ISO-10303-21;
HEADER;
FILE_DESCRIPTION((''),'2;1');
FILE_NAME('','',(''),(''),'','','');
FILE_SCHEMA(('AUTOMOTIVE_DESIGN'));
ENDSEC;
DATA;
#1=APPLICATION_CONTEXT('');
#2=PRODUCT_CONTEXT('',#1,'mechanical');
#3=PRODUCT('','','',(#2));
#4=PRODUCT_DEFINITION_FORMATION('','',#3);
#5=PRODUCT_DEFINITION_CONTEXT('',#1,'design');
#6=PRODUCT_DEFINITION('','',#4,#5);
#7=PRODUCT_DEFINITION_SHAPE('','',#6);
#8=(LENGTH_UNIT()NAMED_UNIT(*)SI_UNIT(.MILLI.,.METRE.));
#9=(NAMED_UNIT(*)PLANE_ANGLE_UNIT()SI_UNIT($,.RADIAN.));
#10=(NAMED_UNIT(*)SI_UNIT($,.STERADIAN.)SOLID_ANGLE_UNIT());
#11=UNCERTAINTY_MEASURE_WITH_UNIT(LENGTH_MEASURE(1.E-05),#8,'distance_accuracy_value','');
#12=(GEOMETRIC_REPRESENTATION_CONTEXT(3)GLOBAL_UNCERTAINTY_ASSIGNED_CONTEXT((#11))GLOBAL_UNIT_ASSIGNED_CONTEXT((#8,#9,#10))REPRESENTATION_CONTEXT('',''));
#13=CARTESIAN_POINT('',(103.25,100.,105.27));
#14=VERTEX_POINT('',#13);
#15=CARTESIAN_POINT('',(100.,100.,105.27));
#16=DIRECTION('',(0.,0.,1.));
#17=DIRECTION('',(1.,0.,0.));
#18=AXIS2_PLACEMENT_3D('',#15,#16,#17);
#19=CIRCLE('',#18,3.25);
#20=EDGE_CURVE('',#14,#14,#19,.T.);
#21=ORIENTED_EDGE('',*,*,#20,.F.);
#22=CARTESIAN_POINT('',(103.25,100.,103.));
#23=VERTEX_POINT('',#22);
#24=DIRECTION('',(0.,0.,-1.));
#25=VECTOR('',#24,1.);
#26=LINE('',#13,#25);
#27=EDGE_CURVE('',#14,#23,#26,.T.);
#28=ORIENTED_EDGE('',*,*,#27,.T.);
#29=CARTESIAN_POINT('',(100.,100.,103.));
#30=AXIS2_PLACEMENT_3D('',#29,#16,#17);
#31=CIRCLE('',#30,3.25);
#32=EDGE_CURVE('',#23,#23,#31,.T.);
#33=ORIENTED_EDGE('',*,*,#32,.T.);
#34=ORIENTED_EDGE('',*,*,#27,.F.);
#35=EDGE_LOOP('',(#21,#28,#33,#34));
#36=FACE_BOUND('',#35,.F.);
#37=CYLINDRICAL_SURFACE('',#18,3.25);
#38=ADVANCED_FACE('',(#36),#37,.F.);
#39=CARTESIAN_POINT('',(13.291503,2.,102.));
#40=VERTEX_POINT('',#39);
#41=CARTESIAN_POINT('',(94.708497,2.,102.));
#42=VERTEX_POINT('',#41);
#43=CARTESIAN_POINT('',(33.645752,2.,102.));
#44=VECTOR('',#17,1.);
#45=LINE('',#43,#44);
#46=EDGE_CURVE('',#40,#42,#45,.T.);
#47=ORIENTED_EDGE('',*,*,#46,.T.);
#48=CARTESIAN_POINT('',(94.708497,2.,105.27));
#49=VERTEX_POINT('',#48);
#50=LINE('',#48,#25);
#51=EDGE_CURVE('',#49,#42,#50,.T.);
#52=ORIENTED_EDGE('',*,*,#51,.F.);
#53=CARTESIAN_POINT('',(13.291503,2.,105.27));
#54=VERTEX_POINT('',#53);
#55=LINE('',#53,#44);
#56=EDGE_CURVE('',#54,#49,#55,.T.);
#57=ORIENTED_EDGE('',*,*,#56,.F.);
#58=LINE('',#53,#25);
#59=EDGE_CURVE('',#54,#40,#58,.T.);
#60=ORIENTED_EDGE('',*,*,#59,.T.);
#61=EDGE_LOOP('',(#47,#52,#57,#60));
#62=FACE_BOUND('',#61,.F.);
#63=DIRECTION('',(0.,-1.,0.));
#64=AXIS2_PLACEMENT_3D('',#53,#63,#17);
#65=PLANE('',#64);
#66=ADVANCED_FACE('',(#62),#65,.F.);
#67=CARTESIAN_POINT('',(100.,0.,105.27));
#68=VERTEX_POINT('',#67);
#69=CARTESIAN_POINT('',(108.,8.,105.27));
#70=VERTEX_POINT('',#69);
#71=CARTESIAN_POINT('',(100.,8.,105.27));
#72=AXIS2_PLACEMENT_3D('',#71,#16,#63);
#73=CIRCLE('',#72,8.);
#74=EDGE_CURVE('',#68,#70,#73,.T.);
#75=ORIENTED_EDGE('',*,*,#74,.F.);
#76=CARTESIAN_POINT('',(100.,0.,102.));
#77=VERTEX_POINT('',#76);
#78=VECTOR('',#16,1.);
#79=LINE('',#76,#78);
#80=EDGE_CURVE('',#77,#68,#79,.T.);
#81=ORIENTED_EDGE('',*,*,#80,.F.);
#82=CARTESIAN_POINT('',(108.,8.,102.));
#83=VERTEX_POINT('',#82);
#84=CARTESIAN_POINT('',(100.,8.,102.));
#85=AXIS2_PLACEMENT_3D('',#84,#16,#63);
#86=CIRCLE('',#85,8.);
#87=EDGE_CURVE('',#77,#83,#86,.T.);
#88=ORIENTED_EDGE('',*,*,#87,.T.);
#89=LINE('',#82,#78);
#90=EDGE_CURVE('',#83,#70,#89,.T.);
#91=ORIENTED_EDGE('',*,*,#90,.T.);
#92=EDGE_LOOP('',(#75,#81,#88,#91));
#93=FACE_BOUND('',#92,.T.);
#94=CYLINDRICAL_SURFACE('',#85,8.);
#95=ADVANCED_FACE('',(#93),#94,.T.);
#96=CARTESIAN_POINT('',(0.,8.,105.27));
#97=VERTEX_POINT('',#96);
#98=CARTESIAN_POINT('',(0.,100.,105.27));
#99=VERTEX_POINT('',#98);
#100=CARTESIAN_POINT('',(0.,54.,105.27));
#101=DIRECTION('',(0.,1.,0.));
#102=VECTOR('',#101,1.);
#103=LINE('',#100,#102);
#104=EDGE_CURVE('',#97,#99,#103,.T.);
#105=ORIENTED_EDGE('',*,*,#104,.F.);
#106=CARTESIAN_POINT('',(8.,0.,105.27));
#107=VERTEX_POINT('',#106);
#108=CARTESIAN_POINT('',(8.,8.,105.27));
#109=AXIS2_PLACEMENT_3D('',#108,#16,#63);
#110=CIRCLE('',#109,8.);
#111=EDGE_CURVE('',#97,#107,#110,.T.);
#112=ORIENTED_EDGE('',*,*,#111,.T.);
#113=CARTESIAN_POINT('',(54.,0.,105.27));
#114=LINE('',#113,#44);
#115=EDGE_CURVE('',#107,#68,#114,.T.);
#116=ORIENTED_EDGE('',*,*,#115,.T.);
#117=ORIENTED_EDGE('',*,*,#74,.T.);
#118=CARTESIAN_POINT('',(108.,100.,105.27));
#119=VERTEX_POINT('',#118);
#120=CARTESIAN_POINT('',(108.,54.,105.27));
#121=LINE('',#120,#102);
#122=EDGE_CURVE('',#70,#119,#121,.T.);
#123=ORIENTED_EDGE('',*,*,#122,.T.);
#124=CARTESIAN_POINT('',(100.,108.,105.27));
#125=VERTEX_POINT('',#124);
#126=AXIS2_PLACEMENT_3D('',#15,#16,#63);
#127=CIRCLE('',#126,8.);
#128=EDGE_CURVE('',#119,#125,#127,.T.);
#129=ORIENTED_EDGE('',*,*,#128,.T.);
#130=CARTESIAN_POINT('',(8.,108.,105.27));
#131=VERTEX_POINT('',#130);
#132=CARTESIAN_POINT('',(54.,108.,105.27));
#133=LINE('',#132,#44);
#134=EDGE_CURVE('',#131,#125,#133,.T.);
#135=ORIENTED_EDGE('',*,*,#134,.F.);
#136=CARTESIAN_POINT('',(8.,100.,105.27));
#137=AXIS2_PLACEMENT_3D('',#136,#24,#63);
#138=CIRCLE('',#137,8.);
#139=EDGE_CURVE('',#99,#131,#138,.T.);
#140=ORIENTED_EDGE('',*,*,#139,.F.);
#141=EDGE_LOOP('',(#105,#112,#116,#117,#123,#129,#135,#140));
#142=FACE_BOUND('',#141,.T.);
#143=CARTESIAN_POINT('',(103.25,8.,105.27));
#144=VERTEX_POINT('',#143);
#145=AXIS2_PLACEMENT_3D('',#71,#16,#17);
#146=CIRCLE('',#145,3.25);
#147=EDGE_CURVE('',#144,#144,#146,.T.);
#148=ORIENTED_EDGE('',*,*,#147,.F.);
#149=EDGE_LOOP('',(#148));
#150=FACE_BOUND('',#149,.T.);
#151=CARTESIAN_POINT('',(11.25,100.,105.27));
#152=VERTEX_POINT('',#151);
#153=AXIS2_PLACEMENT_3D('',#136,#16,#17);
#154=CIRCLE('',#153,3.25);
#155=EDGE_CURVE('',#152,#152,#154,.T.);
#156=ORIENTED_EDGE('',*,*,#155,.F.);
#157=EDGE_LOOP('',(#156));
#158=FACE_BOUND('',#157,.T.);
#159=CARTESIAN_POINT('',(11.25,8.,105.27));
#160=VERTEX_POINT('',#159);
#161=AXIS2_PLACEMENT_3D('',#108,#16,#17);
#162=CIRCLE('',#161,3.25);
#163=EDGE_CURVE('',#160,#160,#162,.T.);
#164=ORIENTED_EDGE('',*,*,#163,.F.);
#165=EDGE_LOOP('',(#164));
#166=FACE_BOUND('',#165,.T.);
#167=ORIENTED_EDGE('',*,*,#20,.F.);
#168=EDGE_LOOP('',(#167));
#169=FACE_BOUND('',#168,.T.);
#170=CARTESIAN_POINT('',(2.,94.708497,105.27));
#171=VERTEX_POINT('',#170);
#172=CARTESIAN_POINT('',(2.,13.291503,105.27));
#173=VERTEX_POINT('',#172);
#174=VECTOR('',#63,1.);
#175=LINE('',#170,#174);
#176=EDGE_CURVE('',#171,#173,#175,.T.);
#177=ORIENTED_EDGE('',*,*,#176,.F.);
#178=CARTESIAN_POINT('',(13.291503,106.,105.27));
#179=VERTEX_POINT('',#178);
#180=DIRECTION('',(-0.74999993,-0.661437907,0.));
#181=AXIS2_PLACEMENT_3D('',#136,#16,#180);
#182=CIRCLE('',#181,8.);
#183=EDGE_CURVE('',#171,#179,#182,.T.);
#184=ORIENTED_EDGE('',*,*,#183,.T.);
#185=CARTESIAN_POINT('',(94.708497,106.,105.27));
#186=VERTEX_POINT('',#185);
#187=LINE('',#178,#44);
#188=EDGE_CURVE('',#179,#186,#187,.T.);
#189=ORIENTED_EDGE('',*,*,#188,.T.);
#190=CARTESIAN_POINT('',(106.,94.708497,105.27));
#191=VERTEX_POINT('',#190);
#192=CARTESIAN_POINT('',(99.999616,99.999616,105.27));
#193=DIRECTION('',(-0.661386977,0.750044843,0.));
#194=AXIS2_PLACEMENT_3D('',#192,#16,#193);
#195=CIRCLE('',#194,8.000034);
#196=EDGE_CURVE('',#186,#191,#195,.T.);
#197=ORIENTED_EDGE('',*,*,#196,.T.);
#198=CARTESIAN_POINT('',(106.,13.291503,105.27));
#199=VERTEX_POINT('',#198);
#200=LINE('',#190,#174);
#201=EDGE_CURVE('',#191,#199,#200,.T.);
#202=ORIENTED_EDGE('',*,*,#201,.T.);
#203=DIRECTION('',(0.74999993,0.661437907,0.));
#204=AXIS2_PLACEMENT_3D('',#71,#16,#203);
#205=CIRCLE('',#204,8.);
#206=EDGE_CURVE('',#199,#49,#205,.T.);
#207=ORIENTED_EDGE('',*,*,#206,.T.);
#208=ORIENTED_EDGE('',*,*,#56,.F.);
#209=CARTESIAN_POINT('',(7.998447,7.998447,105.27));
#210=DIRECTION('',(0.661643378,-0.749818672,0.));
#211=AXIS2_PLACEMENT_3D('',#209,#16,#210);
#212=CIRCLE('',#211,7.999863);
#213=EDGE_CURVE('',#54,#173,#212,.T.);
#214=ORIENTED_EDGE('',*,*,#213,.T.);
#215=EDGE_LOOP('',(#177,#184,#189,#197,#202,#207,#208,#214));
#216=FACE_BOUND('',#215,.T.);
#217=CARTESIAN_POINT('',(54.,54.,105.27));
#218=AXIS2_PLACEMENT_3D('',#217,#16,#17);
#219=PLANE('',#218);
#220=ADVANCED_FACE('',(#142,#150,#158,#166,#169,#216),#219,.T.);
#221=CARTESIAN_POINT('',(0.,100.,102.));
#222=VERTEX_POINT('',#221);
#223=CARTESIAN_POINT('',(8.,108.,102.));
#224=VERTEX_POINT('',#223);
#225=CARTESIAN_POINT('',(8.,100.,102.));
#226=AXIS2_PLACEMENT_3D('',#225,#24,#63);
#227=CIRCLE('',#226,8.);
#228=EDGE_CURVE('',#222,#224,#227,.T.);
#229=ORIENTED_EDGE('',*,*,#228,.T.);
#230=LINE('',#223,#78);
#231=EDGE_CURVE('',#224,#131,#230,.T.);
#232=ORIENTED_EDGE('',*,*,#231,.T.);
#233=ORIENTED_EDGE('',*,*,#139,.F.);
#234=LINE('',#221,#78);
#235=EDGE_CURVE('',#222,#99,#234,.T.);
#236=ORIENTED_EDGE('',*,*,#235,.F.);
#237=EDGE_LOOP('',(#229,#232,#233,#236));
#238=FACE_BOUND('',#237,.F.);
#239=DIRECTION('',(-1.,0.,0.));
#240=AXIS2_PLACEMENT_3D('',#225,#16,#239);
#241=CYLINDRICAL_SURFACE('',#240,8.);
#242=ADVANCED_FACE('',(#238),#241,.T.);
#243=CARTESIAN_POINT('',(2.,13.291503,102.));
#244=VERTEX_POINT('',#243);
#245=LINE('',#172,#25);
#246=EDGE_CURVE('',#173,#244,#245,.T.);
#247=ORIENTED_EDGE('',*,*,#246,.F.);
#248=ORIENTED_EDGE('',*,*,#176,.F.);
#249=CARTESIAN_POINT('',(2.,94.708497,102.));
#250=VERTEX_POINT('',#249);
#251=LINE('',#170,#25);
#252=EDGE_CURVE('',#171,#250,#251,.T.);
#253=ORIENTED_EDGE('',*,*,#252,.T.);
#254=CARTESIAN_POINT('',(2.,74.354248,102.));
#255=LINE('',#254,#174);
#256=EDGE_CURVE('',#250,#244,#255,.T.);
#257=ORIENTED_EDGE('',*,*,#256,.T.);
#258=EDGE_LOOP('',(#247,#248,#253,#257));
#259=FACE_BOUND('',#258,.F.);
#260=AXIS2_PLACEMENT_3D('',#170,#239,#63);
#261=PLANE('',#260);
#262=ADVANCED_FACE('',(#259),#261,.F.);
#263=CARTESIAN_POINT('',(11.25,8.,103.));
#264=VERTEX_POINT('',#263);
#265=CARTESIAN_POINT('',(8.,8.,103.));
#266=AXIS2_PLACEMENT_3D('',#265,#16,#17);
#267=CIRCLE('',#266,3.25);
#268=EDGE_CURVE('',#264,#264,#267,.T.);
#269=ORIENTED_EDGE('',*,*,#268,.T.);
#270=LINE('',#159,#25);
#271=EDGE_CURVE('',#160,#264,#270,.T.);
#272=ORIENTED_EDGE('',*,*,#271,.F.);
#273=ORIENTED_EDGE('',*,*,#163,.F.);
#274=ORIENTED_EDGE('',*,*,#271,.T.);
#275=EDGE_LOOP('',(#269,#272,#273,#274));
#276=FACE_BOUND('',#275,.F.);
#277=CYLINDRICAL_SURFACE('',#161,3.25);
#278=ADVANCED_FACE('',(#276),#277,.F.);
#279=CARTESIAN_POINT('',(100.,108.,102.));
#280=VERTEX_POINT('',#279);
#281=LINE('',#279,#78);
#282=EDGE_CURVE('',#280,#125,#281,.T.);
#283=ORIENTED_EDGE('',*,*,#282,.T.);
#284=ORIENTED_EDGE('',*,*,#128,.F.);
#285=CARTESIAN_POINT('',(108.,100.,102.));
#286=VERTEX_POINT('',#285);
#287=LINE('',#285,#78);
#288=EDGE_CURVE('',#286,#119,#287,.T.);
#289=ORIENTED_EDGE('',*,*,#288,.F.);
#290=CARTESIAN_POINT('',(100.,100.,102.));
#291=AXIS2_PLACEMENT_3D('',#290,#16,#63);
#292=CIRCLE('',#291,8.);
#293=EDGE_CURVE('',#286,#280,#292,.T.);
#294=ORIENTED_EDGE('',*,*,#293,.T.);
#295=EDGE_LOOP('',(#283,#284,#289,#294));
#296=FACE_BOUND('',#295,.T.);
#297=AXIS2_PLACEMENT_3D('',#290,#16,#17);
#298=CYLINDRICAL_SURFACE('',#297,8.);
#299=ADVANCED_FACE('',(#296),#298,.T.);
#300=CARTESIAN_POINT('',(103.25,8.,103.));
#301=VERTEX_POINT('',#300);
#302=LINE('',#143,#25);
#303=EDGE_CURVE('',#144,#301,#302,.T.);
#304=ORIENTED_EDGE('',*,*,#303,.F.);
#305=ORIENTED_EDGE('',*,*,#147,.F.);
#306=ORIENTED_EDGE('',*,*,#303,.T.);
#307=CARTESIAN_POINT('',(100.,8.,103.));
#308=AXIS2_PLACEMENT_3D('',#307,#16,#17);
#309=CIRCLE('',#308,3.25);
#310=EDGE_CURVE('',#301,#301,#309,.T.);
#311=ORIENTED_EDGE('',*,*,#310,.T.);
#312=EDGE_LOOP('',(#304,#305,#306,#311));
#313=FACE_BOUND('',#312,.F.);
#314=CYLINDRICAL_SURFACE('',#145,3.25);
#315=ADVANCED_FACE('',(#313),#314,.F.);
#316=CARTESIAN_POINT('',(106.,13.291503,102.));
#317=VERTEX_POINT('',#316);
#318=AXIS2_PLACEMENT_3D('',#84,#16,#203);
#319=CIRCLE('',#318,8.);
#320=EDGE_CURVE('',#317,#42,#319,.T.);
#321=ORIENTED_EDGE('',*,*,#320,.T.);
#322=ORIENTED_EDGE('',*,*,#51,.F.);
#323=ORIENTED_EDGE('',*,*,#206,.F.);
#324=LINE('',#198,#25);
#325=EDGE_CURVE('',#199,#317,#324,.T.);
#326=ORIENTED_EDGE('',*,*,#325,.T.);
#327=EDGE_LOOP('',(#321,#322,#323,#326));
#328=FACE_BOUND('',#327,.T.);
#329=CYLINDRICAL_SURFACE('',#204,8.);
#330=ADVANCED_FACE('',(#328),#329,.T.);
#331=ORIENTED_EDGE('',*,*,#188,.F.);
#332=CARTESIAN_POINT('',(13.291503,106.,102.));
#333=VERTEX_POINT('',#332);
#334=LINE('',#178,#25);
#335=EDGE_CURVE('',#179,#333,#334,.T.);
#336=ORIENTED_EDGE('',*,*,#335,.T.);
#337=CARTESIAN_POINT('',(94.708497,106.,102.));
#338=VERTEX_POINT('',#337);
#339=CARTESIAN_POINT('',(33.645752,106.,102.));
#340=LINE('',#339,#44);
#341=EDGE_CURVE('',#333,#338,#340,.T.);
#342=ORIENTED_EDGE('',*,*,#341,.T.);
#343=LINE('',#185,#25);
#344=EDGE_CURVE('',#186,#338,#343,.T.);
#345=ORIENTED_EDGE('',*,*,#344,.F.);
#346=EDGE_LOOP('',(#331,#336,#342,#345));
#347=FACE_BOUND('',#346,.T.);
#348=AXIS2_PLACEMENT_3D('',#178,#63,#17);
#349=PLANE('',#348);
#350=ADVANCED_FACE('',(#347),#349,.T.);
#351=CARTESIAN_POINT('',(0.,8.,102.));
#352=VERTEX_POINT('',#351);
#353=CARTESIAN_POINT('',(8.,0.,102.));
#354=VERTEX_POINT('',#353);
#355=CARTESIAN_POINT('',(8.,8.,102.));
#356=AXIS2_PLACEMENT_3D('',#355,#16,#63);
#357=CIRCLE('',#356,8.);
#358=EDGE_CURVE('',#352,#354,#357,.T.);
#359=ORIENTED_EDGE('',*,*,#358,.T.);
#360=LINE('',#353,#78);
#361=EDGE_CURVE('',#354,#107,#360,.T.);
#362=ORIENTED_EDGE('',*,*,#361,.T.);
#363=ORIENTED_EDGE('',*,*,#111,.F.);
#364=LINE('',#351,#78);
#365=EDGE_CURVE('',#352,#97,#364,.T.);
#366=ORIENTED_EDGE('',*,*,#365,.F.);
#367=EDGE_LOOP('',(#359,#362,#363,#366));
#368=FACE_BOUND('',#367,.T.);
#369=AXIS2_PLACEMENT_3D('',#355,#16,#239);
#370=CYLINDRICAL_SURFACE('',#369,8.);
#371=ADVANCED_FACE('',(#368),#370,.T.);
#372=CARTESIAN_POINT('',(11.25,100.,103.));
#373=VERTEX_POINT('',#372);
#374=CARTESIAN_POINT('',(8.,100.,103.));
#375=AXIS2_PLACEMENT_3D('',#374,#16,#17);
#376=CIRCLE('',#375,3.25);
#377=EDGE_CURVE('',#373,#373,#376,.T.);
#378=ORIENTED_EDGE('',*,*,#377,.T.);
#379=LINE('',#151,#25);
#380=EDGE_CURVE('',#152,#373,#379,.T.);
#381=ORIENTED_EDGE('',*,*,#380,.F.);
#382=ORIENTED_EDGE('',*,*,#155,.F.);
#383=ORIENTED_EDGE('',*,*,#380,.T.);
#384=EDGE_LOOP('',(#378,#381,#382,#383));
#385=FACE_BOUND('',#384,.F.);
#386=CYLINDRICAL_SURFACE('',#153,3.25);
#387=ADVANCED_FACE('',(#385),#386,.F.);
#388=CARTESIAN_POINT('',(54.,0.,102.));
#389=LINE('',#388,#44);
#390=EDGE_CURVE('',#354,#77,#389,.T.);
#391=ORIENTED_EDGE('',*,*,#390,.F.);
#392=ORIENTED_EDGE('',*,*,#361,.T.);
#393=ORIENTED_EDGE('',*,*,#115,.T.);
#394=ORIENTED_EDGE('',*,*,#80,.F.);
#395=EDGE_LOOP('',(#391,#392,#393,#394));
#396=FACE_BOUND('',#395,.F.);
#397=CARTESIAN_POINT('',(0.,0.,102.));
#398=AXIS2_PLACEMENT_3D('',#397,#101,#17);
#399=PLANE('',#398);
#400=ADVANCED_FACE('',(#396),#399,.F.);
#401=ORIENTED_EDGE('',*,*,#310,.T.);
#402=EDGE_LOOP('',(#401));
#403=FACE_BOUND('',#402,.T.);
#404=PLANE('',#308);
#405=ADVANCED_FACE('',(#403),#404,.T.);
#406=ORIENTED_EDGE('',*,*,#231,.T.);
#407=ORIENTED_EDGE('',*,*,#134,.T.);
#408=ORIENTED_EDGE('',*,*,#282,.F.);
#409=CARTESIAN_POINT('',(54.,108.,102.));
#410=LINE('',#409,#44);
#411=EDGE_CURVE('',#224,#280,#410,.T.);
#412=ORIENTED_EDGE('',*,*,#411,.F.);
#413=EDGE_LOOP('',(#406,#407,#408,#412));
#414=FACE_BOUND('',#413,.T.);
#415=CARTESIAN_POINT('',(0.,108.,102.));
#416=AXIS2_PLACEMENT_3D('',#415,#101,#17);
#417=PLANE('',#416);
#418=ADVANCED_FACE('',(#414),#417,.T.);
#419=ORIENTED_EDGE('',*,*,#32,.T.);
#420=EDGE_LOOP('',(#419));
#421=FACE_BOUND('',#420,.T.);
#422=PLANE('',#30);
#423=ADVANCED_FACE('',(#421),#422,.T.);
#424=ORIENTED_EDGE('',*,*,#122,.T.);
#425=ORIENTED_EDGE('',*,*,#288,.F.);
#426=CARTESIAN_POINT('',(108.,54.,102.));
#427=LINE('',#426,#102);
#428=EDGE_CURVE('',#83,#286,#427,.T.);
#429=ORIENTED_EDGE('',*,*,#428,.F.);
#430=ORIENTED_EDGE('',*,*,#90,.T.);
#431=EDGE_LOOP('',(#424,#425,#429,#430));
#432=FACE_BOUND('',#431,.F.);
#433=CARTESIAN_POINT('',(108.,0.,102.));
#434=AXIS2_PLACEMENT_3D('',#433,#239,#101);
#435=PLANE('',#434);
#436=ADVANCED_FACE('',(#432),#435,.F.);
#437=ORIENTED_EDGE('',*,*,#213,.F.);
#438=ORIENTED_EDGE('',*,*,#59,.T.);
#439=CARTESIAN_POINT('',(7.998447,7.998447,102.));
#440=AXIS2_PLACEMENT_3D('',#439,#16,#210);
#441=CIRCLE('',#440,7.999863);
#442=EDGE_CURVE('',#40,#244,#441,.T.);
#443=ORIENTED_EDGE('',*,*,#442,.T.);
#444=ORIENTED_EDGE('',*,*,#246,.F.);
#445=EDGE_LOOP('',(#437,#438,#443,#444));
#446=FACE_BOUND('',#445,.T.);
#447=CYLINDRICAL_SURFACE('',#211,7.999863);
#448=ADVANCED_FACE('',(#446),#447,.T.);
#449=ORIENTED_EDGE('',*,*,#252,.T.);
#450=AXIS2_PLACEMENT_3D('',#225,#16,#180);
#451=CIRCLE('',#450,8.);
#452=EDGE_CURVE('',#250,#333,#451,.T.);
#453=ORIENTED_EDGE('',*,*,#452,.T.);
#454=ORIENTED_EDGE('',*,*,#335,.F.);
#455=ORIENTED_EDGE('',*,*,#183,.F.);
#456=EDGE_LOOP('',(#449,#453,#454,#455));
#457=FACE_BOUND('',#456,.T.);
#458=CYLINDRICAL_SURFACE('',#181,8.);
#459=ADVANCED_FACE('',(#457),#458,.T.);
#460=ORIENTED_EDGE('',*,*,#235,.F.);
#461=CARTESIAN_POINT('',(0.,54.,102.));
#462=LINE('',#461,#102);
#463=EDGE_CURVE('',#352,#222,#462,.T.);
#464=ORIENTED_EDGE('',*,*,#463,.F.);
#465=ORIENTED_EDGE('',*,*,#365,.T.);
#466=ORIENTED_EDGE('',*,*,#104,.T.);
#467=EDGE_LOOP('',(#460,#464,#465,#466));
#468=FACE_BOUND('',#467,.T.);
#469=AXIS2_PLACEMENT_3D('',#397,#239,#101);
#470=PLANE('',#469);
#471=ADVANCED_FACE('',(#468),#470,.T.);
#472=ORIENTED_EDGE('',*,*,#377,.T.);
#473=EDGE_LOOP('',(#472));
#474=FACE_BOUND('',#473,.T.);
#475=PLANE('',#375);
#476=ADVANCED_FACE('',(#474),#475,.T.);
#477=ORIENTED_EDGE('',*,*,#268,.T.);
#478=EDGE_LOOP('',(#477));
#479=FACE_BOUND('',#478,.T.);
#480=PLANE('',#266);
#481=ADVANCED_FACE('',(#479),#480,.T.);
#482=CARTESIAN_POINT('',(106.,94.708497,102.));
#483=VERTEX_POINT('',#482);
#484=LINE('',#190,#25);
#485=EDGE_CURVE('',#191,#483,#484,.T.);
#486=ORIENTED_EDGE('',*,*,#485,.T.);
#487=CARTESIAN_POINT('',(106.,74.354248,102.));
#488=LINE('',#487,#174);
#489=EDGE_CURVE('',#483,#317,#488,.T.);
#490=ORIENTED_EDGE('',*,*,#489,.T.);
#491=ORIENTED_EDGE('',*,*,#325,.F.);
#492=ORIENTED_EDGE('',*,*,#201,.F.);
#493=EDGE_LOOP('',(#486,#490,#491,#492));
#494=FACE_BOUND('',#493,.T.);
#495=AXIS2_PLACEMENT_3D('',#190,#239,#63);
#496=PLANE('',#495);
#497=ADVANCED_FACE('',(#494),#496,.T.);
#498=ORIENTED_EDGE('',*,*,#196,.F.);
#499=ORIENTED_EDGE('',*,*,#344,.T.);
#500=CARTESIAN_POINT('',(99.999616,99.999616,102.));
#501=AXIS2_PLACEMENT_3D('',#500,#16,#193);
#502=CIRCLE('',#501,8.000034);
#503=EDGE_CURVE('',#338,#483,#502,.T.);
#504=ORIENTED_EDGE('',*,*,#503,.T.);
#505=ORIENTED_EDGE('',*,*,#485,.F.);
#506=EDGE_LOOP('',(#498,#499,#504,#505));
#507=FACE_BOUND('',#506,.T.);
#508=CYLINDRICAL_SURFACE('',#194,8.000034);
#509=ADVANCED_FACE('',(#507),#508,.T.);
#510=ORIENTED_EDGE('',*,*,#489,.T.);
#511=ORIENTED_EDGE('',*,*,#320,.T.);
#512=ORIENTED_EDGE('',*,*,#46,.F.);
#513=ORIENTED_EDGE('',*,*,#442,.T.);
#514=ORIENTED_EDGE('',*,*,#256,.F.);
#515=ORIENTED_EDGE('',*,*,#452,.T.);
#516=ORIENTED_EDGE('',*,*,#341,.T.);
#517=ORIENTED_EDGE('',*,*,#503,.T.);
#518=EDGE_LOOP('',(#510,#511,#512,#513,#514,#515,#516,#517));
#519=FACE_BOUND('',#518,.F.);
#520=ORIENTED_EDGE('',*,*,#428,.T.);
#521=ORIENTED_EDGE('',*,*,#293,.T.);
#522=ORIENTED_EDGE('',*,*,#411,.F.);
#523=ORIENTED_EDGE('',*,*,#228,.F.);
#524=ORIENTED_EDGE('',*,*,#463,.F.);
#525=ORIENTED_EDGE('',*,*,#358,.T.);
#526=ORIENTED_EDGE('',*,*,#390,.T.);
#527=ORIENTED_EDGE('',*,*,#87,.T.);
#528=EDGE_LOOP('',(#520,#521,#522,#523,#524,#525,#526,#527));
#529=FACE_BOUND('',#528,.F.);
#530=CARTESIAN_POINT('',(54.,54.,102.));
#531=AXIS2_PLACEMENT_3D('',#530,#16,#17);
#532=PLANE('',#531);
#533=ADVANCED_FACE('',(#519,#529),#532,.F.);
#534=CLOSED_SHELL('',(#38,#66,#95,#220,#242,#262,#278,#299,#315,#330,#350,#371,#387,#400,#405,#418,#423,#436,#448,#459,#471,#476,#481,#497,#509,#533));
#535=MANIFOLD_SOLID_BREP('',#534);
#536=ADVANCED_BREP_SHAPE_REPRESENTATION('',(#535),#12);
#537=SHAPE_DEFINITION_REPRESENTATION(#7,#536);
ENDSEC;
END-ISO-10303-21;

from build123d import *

# Parameters (mm, degrees)
SKETCH128_W     = 108
SKETCH128_H     = 108
PAD051_DEPTH    = 3.27
FILLET010_R     = 8
SKETCH129_R     = 3.25
POCKET051_DEPTH = 2.27
POCKET050_DEPTH = 3.271


with BuildPart() as part:
    # Sketch128 → Pad051 (new body)
    with BuildSketch(Plane.XY):
        with Locations((54, 54)):
            Rectangle(SKETCH128_W, SKETCH128_H)
    extrude(amount=PAD051_DEPTH)

    # Fillet010
    fillet010_edges = [part.edges().sort_by_distance(p)[0] for p in [
        (108, 0, 1.635),
        (108, 108, 1.635),
        (0, 108, 1.635),
        (0, 0, 1.635),
    ]]
    fillet(fillet010_edges, radius=FILLET010_R)

    # Sketch129 (on Face5 of Fillet010) → Pocket051 (cut)
    with BuildSketch(Plane.XY.offset(3.27)):
        with Locations((8, 8)):
            Circle(SKETCH129_R)
        with Locations((100, 8)):
            Circle(SKETCH129_R)
        with Locations((100, 100)):
            Circle(SKETCH129_R)
        with Locations((8, 100)):
            Circle(SKETCH129_R)
    extrude(amount=-POCKET051_DEPTH, mode=Mode.SUBTRACT)

    # Sketch130 (on Face5 of Pocket051) → Pocket050 (cut, through all)
    with BuildSketch(Plane.XY.offset(3.27)):
        with BuildLine():
            Line((2, 94.708497), (2, 13.291503))
            ThreePointArc((13.291503, 2), (13.655204, 13.655204), (2, 13.291503))
            Line((13.291503, 2), (94.708497, 2))
            ThreePointArc((106, 13.291503), (94.343146, 13.656854), (94.708497, 2))
            Line((106, 94.708497), (106, 13.291503))
            ThreePointArc((94.708497, 106), (94.342737, 94.342737), (106, 94.708497))
            Line((13.291503, 106), (94.708497, 106))
            ThreePointArc((2, 94.708497), (13.656854, 94.343146), (13.291503, 106))
        make_face()
    extrude(amount=-POCKET050_DEPTH, mode=Mode.SUBTRACT)


with BuildPart() as part_1:
    # Body023 placement: moved
    add(part.part.moved(Location((0, 0, 102))))


solid = part_1.part
